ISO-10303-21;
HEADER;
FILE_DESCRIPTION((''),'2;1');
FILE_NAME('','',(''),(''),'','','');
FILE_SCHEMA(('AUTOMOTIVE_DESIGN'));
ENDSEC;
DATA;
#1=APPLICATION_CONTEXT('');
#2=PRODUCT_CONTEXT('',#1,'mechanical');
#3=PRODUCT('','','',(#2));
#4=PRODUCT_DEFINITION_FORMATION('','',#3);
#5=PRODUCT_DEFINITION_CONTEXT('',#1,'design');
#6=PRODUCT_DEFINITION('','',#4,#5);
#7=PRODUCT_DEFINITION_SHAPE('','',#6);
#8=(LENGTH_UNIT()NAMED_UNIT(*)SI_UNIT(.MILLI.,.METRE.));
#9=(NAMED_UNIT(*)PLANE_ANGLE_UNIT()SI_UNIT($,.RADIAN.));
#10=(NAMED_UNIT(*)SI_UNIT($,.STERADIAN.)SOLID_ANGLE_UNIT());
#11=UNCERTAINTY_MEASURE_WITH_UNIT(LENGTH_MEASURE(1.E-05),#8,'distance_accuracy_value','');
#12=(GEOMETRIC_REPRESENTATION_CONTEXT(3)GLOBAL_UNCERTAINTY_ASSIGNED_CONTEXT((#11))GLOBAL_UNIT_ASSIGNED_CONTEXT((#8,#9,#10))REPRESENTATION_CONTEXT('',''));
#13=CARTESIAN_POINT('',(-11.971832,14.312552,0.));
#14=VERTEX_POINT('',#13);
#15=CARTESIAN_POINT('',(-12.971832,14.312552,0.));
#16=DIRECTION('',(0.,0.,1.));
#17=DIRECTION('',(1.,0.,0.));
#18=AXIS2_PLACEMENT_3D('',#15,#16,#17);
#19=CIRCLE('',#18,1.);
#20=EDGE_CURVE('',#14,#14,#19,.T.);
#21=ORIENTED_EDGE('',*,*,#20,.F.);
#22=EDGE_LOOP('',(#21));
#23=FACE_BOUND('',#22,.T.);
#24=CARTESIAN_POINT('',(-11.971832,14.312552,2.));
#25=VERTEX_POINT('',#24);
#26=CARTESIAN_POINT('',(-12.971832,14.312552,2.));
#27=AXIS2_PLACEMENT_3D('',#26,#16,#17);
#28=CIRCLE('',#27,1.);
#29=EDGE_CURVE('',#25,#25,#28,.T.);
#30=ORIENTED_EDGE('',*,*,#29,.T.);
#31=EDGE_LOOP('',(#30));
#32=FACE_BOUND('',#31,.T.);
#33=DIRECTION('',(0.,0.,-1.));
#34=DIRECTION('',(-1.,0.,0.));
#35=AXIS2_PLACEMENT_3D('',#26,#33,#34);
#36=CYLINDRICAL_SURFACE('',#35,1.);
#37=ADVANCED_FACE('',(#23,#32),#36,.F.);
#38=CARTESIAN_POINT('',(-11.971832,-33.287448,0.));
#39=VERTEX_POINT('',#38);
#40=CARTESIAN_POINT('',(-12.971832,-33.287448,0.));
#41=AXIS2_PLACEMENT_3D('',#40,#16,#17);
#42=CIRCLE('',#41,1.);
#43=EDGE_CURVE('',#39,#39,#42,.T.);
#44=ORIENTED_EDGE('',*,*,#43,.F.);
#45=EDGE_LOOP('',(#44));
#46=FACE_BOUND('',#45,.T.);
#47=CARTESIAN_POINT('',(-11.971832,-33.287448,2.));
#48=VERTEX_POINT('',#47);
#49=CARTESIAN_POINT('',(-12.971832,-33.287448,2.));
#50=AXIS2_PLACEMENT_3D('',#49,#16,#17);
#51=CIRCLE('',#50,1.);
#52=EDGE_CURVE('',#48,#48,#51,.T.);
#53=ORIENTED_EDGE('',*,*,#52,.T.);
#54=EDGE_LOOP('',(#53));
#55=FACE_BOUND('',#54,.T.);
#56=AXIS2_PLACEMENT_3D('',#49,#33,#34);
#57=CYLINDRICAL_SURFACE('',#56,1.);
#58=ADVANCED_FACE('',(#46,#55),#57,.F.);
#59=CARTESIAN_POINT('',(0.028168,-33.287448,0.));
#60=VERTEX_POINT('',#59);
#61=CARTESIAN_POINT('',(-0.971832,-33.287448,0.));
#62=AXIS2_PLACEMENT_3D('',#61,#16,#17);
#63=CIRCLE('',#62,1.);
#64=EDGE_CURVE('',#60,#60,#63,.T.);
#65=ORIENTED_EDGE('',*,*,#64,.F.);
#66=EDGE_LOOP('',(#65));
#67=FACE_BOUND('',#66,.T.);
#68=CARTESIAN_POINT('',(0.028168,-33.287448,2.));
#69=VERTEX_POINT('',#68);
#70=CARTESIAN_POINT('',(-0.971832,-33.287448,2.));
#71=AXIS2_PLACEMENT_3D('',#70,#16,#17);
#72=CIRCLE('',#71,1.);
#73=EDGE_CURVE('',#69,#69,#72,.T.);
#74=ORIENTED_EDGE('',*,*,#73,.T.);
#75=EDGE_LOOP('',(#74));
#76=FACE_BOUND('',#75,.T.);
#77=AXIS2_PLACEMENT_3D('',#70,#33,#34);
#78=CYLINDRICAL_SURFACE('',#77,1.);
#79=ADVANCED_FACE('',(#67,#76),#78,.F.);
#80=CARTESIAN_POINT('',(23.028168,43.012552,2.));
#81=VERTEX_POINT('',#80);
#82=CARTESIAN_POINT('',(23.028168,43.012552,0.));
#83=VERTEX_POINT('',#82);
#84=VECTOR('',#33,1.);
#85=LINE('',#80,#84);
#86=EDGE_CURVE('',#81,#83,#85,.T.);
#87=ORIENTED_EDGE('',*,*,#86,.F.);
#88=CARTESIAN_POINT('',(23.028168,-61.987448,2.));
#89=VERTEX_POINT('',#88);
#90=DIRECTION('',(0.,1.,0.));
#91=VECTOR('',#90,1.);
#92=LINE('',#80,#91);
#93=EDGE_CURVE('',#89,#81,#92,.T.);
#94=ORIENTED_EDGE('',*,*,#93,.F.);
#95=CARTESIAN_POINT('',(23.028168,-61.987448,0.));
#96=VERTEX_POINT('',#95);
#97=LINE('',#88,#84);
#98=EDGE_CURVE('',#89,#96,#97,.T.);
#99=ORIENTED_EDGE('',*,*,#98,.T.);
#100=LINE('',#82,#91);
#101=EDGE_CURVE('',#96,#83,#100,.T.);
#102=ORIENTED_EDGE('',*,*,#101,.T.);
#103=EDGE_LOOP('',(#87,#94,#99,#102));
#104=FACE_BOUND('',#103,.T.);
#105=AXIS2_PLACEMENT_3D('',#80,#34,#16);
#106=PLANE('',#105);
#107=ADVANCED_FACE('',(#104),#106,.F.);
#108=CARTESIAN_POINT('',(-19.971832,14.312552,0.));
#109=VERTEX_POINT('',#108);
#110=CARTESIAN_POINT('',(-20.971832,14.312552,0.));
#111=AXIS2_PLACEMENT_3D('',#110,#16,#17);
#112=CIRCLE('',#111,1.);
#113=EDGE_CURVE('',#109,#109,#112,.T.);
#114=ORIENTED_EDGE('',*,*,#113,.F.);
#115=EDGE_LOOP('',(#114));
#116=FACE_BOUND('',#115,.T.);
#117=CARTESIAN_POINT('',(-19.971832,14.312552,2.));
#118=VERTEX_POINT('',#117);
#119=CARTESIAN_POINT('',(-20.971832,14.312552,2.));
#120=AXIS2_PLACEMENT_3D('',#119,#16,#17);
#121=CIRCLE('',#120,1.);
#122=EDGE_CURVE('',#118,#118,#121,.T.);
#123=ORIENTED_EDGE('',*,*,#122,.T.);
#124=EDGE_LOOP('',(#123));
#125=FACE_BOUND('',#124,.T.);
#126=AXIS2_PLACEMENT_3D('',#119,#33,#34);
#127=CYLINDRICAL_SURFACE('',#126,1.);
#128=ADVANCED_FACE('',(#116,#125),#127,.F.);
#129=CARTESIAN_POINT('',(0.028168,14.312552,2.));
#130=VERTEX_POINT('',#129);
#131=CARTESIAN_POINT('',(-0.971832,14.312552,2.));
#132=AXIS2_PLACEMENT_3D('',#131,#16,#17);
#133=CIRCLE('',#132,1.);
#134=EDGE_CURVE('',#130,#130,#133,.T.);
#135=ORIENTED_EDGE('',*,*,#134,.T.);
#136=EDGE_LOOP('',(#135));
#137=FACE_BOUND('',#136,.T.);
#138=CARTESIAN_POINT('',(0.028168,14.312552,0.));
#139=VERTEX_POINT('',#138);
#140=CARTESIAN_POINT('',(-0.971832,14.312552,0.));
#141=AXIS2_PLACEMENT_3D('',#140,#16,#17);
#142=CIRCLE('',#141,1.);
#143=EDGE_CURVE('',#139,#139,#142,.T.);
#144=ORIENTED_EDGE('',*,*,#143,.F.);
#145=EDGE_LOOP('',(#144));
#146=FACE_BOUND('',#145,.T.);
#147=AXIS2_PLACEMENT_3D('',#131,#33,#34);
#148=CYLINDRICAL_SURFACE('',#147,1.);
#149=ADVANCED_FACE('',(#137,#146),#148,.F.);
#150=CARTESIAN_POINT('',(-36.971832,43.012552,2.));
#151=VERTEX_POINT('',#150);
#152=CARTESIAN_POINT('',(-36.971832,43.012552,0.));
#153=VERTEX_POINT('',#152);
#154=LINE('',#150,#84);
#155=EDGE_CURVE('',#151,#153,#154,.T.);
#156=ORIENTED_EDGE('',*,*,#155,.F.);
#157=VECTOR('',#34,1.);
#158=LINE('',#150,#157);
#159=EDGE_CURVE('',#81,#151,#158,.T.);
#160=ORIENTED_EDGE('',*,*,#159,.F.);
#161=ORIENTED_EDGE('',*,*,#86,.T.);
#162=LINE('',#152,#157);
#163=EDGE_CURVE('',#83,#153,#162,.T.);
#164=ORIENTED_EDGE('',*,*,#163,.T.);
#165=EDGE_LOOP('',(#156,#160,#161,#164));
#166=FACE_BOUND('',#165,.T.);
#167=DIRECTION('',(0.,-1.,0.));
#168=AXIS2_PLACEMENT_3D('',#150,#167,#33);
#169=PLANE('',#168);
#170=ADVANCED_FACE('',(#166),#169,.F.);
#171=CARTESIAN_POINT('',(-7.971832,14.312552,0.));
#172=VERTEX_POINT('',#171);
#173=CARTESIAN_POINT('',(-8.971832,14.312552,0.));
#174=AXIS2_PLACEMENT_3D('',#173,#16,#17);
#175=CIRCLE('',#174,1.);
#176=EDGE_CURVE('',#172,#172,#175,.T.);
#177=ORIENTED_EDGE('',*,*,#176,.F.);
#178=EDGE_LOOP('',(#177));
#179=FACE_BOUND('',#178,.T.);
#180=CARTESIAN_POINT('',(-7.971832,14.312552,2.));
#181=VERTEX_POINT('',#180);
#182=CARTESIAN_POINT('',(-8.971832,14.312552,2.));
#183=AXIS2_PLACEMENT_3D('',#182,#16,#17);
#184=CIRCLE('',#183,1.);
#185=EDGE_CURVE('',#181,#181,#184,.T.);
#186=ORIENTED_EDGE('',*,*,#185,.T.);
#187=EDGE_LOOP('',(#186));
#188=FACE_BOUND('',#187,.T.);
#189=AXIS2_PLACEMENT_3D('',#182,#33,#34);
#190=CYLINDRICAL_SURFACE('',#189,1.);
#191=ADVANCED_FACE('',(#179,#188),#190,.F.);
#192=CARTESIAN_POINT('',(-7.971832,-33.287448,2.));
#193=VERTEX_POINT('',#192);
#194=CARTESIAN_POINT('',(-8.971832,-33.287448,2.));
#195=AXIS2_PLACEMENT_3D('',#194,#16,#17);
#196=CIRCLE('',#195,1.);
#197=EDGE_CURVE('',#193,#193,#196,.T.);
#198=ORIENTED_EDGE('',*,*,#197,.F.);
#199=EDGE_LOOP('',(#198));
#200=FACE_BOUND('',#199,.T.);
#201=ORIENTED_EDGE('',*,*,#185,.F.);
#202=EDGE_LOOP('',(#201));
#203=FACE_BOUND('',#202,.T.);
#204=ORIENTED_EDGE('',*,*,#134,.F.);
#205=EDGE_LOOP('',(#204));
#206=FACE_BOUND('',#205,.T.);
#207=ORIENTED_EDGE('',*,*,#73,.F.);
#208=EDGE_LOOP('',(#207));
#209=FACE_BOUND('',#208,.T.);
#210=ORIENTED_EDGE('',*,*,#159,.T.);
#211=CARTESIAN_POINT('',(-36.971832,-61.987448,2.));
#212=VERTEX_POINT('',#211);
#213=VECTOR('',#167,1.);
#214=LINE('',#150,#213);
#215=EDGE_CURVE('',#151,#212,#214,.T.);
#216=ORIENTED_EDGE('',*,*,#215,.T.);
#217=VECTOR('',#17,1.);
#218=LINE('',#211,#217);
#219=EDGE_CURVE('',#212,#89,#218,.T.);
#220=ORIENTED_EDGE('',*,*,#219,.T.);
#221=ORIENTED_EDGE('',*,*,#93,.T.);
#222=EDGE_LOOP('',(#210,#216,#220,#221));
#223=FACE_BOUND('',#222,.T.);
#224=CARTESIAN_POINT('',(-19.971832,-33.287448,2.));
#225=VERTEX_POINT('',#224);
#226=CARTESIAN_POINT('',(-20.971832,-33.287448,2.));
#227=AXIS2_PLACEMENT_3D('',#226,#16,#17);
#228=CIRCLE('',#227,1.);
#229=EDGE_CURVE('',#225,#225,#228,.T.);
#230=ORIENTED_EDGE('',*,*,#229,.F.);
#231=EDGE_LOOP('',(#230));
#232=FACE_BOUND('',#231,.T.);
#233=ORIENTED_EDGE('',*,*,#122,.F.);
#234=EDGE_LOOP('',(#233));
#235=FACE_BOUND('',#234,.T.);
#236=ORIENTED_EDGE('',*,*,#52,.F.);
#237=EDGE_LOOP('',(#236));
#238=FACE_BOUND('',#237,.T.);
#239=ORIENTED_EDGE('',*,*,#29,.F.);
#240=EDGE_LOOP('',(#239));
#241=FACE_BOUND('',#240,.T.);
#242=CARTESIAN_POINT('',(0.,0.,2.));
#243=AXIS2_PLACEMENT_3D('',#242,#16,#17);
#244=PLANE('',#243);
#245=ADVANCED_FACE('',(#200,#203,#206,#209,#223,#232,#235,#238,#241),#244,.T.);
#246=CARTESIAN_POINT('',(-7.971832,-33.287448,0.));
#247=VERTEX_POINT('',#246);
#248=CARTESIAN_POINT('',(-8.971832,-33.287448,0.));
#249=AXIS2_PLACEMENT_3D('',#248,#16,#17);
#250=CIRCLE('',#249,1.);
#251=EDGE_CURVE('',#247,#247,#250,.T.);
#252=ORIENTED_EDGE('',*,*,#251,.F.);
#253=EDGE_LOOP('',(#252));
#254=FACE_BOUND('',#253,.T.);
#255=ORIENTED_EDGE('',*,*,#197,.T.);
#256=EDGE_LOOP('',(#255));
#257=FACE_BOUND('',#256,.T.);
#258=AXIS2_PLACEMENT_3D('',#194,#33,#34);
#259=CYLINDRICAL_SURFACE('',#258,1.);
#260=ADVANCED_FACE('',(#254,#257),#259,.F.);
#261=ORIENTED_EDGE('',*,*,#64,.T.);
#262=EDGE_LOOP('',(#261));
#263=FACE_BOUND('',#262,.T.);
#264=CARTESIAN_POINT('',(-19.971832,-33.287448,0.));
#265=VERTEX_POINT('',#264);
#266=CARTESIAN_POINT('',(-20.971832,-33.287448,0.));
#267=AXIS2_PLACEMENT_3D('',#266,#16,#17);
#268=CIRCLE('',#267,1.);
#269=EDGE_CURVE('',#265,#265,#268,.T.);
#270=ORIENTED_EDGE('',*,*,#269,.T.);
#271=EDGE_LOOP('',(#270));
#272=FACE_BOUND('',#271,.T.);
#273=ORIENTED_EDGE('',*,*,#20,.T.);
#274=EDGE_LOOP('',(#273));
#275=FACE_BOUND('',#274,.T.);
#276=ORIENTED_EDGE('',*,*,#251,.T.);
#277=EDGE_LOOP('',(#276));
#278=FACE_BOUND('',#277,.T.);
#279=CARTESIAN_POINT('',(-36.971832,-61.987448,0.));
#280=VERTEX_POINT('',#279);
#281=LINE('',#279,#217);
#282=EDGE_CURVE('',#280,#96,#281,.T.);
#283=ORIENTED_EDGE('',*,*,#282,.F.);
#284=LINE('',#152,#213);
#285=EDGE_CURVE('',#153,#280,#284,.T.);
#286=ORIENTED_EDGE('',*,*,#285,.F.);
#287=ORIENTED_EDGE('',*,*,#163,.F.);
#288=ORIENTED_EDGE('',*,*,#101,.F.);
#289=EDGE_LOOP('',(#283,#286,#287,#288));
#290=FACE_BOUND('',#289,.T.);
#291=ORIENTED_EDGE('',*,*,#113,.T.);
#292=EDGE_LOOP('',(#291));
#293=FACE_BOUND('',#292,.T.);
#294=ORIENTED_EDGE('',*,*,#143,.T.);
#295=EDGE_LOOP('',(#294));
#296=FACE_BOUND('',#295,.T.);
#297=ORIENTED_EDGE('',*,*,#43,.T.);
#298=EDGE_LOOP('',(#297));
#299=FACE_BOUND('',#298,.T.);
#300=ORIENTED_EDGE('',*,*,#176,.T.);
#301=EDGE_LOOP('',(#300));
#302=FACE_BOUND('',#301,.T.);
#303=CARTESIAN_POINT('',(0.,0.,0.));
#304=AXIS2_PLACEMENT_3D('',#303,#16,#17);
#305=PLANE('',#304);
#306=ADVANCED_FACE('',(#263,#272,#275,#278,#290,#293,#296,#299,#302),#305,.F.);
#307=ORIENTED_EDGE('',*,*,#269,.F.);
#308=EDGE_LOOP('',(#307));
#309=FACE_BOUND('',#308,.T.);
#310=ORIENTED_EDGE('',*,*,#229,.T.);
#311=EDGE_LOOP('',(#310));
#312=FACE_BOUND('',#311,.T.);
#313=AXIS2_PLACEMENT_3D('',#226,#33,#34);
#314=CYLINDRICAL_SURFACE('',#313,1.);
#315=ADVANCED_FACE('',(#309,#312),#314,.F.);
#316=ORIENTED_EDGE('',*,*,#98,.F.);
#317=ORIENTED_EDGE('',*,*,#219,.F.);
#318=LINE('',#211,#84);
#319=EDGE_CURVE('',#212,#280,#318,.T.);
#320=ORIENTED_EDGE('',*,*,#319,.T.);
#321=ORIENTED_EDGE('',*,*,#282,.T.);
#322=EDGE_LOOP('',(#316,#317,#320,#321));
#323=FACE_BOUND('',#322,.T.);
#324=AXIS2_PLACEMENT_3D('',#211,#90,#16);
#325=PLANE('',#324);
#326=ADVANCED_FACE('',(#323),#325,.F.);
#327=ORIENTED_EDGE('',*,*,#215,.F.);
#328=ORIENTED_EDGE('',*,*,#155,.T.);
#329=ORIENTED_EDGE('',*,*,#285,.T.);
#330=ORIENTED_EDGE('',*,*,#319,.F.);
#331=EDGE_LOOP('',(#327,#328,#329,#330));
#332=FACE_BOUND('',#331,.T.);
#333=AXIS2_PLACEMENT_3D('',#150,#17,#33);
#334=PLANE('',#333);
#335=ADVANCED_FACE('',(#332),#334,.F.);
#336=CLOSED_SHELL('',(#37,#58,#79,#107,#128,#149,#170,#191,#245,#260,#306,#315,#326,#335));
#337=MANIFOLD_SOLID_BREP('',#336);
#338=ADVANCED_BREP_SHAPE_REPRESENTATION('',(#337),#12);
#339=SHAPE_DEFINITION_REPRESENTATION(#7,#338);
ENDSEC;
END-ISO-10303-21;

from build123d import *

# Parameters (mm, degrees)
SKETCH_1_W      = 60
SKETCH_1_H      = 105
SKETCH_1_R      = 1
EXTRUDE_1_DEPTH = 2


with BuildPart() as part:
    # 草圖1 → 填料-伸長1 (new body)
    with BuildSketch(Plane.XY):
        with Locations((-6.971831956, -9.487447699)):
            Rectangle(SKETCH_1_W, SKETCH_1_H)
        with Locations((-12.971831956, -33.287447699)):
            Circle(SKETCH_1_R, mode=Mode.SUBTRACT)
        with Locations((-8.971831956, -33.287447699)):
            Circle(SKETCH_1_R, mode=Mode.SUBTRACT)
        with Locations((-12.971831956, 14.312552301)):
            Circle(SKETCH_1_R, mode=Mode.SUBTRACT)
        with Locations((-20.971831956, 14.312552301)):
            Circle(SKETCH_1_R, mode=Mode.SUBTRACT)
        with Locations((-0.971831956, 14.312552301)):
            Circle(SKETCH_1_R, mode=Mode.SUBTRACT)
        with Locations((-8.971831956, 14.312552301)):
            Circle(SKETCH_1_R, mode=Mode.SUBTRACT)
        with Locations((-20.971831956, -33.287447699)):
            Circle(SKETCH_1_R, mode=Mode.SUBTRACT)
        with Locations((-0.971831956, -33.287447699)):
            Circle(SKETCH_1_R, mode=Mode.SUBTRACT)
    extrude(amount=EXTRUDE_1_DEPTH)


solid = part.part
